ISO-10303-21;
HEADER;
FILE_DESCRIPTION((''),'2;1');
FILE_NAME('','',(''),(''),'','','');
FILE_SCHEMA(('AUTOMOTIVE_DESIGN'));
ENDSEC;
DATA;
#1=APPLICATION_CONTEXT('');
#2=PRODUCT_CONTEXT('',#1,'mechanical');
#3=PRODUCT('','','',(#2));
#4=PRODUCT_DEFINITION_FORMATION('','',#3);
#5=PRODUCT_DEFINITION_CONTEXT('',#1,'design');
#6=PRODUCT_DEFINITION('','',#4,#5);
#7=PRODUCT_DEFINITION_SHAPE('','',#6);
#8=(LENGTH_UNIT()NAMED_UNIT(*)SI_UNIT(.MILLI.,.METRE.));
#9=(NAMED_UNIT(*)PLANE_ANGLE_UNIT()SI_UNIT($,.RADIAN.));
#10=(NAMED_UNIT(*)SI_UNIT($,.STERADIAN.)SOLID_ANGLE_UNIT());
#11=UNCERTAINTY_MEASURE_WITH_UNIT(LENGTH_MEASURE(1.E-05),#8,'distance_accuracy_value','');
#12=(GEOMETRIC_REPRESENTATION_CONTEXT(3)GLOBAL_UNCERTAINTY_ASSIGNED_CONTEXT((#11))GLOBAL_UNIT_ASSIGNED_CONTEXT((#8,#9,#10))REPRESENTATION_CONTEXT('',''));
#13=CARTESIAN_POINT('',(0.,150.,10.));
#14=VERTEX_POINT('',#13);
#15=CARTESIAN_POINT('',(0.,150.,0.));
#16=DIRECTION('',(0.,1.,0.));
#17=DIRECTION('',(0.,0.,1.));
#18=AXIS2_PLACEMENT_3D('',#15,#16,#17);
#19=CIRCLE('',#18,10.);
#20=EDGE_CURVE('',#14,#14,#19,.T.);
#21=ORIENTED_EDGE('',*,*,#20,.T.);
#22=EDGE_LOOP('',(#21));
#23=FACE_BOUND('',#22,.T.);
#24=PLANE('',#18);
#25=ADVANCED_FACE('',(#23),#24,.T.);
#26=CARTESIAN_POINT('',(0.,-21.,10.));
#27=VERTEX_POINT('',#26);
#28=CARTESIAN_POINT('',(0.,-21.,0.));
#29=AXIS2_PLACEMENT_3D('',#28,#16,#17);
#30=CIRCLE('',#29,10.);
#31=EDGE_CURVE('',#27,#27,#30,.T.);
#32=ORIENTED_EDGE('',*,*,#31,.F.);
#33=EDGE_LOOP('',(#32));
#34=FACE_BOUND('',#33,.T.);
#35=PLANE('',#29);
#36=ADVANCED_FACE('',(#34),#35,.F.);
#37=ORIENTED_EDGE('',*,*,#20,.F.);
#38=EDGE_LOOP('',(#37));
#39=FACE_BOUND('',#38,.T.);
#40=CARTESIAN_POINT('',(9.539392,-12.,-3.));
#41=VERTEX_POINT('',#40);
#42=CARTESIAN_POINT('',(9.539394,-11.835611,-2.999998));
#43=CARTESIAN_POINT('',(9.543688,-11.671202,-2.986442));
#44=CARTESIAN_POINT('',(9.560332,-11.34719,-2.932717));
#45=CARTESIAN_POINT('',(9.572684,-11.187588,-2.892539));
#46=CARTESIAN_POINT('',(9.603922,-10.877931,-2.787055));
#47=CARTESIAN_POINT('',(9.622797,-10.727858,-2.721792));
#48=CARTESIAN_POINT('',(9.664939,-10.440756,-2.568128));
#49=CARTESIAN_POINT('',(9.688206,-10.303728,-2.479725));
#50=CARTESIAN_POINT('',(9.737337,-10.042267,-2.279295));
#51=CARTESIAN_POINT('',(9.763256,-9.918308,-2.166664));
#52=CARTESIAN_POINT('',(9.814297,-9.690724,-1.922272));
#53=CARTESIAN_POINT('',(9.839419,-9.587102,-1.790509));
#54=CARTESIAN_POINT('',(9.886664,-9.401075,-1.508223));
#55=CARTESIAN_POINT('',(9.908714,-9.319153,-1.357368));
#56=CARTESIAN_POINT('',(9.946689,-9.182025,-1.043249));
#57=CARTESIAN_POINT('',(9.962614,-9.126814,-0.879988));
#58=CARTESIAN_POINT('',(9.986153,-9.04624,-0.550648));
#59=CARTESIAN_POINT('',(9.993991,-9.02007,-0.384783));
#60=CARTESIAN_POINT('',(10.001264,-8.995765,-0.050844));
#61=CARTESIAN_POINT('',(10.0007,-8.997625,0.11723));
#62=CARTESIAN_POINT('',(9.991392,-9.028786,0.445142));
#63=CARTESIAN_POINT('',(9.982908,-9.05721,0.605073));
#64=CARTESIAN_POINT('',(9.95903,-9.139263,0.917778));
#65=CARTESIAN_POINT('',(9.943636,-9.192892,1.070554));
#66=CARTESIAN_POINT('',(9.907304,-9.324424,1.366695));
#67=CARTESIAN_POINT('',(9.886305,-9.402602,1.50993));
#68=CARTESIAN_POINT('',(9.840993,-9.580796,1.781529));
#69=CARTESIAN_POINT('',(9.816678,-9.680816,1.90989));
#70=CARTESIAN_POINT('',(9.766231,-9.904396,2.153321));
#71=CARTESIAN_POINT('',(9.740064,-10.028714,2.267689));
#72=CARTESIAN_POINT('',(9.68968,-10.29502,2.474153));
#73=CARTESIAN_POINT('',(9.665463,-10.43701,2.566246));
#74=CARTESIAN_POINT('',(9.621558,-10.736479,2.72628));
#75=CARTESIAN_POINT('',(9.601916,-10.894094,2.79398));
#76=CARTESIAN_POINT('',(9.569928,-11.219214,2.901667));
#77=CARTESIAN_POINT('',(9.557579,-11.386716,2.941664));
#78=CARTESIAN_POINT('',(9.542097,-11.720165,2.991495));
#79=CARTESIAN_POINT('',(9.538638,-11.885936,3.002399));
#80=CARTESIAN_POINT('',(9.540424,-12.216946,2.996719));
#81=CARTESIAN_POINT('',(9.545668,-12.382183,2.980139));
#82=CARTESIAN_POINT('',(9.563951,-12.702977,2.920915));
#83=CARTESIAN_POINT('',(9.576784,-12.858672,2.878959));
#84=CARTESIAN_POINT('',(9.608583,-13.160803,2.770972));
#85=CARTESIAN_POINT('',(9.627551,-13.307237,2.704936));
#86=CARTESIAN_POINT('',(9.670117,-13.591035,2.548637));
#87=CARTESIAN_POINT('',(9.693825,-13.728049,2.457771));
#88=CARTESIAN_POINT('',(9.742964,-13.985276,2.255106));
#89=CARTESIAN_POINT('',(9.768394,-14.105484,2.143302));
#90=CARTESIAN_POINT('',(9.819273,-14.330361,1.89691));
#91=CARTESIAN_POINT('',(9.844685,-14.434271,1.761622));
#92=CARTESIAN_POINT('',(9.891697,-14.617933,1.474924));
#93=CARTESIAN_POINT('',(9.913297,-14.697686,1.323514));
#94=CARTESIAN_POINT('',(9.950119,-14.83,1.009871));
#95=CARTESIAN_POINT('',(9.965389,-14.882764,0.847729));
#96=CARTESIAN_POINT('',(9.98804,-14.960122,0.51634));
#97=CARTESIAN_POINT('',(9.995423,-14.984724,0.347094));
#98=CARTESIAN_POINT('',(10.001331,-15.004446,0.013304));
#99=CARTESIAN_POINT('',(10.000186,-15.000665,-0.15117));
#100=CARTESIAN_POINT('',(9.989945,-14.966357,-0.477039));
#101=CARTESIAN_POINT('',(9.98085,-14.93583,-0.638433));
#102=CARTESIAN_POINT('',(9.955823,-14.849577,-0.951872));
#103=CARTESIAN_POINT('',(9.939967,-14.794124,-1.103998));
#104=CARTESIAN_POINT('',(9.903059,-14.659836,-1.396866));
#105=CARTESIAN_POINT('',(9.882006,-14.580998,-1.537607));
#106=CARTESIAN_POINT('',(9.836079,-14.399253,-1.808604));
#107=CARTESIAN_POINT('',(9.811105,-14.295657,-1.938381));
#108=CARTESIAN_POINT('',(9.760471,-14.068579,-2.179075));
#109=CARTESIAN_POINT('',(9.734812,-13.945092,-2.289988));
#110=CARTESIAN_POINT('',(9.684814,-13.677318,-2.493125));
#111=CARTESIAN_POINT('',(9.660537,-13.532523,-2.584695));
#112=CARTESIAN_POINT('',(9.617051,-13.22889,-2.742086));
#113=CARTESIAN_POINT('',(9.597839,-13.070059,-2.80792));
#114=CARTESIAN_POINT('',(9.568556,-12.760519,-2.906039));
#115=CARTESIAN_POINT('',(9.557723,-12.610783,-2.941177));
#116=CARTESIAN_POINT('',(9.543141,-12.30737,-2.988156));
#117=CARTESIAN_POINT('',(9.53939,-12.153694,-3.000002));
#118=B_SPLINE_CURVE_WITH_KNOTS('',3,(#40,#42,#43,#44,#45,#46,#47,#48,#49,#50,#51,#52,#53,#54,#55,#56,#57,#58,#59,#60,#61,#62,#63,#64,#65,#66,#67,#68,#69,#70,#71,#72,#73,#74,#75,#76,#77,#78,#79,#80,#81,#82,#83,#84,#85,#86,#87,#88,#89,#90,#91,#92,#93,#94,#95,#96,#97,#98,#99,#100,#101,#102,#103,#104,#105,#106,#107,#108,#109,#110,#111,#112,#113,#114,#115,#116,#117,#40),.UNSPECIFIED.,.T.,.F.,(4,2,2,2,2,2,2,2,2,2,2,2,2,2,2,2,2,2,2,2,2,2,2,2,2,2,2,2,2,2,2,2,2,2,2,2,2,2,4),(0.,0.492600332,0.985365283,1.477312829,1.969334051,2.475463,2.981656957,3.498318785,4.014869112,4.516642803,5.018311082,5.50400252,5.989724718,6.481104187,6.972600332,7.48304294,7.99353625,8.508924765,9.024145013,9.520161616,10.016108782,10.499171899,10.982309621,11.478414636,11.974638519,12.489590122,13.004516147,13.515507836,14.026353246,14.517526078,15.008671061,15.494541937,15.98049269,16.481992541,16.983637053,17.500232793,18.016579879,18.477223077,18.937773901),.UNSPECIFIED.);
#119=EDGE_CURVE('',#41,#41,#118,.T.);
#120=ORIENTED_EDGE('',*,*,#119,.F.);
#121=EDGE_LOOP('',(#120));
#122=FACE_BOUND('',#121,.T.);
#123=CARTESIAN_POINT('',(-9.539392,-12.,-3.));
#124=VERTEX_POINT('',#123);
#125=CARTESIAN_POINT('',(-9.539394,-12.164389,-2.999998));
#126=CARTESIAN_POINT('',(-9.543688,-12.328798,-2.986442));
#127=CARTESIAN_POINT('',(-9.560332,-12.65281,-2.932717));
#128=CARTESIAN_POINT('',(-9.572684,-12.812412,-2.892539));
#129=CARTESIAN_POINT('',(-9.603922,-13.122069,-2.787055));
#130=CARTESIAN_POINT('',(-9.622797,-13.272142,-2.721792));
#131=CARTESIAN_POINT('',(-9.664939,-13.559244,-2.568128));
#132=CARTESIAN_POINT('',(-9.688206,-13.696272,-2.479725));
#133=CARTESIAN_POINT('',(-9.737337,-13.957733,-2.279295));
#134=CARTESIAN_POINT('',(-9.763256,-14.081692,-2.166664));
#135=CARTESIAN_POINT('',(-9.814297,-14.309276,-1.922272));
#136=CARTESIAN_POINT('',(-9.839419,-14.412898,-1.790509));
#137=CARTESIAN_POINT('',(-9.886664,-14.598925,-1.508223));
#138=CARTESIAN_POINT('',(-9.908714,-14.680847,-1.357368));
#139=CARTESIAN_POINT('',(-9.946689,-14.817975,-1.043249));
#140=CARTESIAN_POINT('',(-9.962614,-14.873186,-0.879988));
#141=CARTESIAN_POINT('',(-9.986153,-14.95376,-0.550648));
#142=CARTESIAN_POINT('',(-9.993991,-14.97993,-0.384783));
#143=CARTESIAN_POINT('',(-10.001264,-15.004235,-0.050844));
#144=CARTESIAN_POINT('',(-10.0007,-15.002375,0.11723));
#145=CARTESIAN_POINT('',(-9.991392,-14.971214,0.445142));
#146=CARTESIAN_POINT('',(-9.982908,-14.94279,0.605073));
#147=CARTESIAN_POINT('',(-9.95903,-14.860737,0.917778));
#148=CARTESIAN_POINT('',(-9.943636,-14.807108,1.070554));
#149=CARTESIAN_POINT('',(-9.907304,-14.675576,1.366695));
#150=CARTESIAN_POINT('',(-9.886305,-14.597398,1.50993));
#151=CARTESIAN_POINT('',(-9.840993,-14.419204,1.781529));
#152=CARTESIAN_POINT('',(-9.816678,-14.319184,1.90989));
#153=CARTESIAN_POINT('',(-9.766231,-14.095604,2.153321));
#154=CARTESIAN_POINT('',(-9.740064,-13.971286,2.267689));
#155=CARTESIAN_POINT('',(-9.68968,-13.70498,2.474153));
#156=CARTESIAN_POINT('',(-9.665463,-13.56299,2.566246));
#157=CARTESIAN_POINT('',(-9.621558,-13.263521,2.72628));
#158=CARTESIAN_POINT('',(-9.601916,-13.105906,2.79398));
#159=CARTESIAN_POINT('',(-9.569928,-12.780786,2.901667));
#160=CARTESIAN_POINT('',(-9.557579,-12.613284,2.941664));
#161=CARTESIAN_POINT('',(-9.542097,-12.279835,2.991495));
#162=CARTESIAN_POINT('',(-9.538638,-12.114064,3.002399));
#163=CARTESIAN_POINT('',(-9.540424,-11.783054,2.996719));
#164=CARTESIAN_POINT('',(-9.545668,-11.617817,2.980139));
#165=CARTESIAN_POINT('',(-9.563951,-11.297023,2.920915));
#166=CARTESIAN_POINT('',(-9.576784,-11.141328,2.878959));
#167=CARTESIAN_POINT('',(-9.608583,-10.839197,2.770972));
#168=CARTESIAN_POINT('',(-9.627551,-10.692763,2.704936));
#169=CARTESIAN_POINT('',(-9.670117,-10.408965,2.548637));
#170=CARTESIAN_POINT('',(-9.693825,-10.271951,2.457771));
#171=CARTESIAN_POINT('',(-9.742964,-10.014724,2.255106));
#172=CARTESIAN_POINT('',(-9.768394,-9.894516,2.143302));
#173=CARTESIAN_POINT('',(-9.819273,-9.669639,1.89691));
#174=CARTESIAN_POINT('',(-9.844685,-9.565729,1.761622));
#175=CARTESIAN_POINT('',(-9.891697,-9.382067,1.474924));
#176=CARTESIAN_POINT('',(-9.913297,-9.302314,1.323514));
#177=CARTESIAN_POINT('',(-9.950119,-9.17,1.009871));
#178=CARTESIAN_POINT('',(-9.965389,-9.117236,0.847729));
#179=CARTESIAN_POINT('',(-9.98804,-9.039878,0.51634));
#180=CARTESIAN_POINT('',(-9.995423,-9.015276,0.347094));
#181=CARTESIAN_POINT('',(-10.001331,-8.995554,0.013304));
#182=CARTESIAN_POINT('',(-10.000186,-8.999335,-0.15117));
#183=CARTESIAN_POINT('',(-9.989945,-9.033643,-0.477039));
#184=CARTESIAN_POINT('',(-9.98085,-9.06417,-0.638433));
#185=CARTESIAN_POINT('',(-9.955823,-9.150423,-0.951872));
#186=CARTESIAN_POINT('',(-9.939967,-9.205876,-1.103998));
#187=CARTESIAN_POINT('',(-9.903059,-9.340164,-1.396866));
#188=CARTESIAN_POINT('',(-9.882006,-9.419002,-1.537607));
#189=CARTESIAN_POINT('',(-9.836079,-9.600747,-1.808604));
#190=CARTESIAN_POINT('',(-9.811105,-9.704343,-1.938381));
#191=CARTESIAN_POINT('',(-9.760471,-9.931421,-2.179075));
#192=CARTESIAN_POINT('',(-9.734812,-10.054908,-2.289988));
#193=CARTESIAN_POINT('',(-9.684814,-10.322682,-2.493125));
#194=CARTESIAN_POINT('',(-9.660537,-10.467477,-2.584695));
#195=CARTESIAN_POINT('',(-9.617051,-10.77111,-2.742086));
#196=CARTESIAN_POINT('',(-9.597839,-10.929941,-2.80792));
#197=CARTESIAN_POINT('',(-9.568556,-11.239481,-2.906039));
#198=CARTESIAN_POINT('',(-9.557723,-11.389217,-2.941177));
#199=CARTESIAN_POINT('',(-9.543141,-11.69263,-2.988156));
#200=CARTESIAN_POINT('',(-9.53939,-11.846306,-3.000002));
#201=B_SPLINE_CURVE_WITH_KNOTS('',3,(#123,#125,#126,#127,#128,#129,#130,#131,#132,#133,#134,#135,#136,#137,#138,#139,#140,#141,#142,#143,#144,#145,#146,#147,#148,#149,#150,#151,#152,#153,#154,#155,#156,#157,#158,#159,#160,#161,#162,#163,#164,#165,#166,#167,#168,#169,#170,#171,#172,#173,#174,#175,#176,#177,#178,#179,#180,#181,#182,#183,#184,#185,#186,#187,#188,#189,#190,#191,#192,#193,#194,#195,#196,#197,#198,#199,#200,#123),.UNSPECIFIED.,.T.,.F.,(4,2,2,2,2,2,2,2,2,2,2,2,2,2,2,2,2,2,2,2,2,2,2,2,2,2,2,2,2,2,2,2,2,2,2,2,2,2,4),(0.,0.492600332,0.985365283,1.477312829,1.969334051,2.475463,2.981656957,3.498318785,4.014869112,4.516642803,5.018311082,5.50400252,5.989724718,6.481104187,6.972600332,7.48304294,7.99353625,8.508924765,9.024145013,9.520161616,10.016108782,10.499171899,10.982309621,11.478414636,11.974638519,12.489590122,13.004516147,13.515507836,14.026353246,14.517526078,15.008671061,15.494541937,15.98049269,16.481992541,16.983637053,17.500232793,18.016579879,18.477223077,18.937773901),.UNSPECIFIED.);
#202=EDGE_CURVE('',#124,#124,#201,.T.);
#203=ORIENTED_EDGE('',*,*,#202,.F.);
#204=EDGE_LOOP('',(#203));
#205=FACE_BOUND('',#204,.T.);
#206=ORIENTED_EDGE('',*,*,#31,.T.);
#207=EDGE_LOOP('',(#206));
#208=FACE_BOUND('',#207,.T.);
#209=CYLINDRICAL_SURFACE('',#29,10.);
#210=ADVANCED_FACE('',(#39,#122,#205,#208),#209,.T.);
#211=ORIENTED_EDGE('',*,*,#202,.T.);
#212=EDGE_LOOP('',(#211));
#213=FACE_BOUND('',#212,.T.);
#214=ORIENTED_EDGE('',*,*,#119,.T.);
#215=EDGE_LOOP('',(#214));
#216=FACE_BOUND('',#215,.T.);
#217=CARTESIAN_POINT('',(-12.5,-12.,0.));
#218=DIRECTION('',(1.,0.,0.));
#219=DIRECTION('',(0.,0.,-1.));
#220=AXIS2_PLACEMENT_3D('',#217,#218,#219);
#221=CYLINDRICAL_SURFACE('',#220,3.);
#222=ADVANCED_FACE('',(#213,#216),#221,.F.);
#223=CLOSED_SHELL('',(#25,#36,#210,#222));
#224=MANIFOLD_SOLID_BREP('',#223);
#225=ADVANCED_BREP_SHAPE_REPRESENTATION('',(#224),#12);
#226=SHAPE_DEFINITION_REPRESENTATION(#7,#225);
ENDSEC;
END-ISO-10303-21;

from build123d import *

# Parameters (mm, degrees)
CROQUIS1_R                   = 10
SALIENTE_EXTRUIR1_DEPTH      = 150
SALIENTE_EXTRUIR1_DEPTH_BACK = 21
CROQUIS2_R                   = 3
CORTAR_EXTRUIR1_DEPTH        = 12.5


with BuildPart() as part:
    # Croquis1 → Saliente-Extruir1 (new body, two sides)
    with BuildSketch(Plane(origin=(0, 0, 0), x_dir=(1, 0, 0), z_dir=(0, 1, 0))) as saliente_extruir1_sk:
        Circle(CROQUIS1_R)
    extrude(amount=SALIENTE_EXTRUIR1_DEPTH)
    extrude(saliente_extruir1_sk.sketch, amount=-SALIENTE_EXTRUIR1_DEPTH_BACK)

    # Croquis2 → Cortar-Extruir1 (cut, symmetric)
    with BuildSketch(Plane(origin=(0, 0, 0), x_dir=(0, 0, -1), z_dir=(1, 0, 0))):
        with Locations((0, -12)):
            Circle(CROQUIS2_R)
    extrude(amount=CORTAR_EXTRUIR1_DEPTH, both=True, mode=Mode.SUBTRACT)


solid = part.part
